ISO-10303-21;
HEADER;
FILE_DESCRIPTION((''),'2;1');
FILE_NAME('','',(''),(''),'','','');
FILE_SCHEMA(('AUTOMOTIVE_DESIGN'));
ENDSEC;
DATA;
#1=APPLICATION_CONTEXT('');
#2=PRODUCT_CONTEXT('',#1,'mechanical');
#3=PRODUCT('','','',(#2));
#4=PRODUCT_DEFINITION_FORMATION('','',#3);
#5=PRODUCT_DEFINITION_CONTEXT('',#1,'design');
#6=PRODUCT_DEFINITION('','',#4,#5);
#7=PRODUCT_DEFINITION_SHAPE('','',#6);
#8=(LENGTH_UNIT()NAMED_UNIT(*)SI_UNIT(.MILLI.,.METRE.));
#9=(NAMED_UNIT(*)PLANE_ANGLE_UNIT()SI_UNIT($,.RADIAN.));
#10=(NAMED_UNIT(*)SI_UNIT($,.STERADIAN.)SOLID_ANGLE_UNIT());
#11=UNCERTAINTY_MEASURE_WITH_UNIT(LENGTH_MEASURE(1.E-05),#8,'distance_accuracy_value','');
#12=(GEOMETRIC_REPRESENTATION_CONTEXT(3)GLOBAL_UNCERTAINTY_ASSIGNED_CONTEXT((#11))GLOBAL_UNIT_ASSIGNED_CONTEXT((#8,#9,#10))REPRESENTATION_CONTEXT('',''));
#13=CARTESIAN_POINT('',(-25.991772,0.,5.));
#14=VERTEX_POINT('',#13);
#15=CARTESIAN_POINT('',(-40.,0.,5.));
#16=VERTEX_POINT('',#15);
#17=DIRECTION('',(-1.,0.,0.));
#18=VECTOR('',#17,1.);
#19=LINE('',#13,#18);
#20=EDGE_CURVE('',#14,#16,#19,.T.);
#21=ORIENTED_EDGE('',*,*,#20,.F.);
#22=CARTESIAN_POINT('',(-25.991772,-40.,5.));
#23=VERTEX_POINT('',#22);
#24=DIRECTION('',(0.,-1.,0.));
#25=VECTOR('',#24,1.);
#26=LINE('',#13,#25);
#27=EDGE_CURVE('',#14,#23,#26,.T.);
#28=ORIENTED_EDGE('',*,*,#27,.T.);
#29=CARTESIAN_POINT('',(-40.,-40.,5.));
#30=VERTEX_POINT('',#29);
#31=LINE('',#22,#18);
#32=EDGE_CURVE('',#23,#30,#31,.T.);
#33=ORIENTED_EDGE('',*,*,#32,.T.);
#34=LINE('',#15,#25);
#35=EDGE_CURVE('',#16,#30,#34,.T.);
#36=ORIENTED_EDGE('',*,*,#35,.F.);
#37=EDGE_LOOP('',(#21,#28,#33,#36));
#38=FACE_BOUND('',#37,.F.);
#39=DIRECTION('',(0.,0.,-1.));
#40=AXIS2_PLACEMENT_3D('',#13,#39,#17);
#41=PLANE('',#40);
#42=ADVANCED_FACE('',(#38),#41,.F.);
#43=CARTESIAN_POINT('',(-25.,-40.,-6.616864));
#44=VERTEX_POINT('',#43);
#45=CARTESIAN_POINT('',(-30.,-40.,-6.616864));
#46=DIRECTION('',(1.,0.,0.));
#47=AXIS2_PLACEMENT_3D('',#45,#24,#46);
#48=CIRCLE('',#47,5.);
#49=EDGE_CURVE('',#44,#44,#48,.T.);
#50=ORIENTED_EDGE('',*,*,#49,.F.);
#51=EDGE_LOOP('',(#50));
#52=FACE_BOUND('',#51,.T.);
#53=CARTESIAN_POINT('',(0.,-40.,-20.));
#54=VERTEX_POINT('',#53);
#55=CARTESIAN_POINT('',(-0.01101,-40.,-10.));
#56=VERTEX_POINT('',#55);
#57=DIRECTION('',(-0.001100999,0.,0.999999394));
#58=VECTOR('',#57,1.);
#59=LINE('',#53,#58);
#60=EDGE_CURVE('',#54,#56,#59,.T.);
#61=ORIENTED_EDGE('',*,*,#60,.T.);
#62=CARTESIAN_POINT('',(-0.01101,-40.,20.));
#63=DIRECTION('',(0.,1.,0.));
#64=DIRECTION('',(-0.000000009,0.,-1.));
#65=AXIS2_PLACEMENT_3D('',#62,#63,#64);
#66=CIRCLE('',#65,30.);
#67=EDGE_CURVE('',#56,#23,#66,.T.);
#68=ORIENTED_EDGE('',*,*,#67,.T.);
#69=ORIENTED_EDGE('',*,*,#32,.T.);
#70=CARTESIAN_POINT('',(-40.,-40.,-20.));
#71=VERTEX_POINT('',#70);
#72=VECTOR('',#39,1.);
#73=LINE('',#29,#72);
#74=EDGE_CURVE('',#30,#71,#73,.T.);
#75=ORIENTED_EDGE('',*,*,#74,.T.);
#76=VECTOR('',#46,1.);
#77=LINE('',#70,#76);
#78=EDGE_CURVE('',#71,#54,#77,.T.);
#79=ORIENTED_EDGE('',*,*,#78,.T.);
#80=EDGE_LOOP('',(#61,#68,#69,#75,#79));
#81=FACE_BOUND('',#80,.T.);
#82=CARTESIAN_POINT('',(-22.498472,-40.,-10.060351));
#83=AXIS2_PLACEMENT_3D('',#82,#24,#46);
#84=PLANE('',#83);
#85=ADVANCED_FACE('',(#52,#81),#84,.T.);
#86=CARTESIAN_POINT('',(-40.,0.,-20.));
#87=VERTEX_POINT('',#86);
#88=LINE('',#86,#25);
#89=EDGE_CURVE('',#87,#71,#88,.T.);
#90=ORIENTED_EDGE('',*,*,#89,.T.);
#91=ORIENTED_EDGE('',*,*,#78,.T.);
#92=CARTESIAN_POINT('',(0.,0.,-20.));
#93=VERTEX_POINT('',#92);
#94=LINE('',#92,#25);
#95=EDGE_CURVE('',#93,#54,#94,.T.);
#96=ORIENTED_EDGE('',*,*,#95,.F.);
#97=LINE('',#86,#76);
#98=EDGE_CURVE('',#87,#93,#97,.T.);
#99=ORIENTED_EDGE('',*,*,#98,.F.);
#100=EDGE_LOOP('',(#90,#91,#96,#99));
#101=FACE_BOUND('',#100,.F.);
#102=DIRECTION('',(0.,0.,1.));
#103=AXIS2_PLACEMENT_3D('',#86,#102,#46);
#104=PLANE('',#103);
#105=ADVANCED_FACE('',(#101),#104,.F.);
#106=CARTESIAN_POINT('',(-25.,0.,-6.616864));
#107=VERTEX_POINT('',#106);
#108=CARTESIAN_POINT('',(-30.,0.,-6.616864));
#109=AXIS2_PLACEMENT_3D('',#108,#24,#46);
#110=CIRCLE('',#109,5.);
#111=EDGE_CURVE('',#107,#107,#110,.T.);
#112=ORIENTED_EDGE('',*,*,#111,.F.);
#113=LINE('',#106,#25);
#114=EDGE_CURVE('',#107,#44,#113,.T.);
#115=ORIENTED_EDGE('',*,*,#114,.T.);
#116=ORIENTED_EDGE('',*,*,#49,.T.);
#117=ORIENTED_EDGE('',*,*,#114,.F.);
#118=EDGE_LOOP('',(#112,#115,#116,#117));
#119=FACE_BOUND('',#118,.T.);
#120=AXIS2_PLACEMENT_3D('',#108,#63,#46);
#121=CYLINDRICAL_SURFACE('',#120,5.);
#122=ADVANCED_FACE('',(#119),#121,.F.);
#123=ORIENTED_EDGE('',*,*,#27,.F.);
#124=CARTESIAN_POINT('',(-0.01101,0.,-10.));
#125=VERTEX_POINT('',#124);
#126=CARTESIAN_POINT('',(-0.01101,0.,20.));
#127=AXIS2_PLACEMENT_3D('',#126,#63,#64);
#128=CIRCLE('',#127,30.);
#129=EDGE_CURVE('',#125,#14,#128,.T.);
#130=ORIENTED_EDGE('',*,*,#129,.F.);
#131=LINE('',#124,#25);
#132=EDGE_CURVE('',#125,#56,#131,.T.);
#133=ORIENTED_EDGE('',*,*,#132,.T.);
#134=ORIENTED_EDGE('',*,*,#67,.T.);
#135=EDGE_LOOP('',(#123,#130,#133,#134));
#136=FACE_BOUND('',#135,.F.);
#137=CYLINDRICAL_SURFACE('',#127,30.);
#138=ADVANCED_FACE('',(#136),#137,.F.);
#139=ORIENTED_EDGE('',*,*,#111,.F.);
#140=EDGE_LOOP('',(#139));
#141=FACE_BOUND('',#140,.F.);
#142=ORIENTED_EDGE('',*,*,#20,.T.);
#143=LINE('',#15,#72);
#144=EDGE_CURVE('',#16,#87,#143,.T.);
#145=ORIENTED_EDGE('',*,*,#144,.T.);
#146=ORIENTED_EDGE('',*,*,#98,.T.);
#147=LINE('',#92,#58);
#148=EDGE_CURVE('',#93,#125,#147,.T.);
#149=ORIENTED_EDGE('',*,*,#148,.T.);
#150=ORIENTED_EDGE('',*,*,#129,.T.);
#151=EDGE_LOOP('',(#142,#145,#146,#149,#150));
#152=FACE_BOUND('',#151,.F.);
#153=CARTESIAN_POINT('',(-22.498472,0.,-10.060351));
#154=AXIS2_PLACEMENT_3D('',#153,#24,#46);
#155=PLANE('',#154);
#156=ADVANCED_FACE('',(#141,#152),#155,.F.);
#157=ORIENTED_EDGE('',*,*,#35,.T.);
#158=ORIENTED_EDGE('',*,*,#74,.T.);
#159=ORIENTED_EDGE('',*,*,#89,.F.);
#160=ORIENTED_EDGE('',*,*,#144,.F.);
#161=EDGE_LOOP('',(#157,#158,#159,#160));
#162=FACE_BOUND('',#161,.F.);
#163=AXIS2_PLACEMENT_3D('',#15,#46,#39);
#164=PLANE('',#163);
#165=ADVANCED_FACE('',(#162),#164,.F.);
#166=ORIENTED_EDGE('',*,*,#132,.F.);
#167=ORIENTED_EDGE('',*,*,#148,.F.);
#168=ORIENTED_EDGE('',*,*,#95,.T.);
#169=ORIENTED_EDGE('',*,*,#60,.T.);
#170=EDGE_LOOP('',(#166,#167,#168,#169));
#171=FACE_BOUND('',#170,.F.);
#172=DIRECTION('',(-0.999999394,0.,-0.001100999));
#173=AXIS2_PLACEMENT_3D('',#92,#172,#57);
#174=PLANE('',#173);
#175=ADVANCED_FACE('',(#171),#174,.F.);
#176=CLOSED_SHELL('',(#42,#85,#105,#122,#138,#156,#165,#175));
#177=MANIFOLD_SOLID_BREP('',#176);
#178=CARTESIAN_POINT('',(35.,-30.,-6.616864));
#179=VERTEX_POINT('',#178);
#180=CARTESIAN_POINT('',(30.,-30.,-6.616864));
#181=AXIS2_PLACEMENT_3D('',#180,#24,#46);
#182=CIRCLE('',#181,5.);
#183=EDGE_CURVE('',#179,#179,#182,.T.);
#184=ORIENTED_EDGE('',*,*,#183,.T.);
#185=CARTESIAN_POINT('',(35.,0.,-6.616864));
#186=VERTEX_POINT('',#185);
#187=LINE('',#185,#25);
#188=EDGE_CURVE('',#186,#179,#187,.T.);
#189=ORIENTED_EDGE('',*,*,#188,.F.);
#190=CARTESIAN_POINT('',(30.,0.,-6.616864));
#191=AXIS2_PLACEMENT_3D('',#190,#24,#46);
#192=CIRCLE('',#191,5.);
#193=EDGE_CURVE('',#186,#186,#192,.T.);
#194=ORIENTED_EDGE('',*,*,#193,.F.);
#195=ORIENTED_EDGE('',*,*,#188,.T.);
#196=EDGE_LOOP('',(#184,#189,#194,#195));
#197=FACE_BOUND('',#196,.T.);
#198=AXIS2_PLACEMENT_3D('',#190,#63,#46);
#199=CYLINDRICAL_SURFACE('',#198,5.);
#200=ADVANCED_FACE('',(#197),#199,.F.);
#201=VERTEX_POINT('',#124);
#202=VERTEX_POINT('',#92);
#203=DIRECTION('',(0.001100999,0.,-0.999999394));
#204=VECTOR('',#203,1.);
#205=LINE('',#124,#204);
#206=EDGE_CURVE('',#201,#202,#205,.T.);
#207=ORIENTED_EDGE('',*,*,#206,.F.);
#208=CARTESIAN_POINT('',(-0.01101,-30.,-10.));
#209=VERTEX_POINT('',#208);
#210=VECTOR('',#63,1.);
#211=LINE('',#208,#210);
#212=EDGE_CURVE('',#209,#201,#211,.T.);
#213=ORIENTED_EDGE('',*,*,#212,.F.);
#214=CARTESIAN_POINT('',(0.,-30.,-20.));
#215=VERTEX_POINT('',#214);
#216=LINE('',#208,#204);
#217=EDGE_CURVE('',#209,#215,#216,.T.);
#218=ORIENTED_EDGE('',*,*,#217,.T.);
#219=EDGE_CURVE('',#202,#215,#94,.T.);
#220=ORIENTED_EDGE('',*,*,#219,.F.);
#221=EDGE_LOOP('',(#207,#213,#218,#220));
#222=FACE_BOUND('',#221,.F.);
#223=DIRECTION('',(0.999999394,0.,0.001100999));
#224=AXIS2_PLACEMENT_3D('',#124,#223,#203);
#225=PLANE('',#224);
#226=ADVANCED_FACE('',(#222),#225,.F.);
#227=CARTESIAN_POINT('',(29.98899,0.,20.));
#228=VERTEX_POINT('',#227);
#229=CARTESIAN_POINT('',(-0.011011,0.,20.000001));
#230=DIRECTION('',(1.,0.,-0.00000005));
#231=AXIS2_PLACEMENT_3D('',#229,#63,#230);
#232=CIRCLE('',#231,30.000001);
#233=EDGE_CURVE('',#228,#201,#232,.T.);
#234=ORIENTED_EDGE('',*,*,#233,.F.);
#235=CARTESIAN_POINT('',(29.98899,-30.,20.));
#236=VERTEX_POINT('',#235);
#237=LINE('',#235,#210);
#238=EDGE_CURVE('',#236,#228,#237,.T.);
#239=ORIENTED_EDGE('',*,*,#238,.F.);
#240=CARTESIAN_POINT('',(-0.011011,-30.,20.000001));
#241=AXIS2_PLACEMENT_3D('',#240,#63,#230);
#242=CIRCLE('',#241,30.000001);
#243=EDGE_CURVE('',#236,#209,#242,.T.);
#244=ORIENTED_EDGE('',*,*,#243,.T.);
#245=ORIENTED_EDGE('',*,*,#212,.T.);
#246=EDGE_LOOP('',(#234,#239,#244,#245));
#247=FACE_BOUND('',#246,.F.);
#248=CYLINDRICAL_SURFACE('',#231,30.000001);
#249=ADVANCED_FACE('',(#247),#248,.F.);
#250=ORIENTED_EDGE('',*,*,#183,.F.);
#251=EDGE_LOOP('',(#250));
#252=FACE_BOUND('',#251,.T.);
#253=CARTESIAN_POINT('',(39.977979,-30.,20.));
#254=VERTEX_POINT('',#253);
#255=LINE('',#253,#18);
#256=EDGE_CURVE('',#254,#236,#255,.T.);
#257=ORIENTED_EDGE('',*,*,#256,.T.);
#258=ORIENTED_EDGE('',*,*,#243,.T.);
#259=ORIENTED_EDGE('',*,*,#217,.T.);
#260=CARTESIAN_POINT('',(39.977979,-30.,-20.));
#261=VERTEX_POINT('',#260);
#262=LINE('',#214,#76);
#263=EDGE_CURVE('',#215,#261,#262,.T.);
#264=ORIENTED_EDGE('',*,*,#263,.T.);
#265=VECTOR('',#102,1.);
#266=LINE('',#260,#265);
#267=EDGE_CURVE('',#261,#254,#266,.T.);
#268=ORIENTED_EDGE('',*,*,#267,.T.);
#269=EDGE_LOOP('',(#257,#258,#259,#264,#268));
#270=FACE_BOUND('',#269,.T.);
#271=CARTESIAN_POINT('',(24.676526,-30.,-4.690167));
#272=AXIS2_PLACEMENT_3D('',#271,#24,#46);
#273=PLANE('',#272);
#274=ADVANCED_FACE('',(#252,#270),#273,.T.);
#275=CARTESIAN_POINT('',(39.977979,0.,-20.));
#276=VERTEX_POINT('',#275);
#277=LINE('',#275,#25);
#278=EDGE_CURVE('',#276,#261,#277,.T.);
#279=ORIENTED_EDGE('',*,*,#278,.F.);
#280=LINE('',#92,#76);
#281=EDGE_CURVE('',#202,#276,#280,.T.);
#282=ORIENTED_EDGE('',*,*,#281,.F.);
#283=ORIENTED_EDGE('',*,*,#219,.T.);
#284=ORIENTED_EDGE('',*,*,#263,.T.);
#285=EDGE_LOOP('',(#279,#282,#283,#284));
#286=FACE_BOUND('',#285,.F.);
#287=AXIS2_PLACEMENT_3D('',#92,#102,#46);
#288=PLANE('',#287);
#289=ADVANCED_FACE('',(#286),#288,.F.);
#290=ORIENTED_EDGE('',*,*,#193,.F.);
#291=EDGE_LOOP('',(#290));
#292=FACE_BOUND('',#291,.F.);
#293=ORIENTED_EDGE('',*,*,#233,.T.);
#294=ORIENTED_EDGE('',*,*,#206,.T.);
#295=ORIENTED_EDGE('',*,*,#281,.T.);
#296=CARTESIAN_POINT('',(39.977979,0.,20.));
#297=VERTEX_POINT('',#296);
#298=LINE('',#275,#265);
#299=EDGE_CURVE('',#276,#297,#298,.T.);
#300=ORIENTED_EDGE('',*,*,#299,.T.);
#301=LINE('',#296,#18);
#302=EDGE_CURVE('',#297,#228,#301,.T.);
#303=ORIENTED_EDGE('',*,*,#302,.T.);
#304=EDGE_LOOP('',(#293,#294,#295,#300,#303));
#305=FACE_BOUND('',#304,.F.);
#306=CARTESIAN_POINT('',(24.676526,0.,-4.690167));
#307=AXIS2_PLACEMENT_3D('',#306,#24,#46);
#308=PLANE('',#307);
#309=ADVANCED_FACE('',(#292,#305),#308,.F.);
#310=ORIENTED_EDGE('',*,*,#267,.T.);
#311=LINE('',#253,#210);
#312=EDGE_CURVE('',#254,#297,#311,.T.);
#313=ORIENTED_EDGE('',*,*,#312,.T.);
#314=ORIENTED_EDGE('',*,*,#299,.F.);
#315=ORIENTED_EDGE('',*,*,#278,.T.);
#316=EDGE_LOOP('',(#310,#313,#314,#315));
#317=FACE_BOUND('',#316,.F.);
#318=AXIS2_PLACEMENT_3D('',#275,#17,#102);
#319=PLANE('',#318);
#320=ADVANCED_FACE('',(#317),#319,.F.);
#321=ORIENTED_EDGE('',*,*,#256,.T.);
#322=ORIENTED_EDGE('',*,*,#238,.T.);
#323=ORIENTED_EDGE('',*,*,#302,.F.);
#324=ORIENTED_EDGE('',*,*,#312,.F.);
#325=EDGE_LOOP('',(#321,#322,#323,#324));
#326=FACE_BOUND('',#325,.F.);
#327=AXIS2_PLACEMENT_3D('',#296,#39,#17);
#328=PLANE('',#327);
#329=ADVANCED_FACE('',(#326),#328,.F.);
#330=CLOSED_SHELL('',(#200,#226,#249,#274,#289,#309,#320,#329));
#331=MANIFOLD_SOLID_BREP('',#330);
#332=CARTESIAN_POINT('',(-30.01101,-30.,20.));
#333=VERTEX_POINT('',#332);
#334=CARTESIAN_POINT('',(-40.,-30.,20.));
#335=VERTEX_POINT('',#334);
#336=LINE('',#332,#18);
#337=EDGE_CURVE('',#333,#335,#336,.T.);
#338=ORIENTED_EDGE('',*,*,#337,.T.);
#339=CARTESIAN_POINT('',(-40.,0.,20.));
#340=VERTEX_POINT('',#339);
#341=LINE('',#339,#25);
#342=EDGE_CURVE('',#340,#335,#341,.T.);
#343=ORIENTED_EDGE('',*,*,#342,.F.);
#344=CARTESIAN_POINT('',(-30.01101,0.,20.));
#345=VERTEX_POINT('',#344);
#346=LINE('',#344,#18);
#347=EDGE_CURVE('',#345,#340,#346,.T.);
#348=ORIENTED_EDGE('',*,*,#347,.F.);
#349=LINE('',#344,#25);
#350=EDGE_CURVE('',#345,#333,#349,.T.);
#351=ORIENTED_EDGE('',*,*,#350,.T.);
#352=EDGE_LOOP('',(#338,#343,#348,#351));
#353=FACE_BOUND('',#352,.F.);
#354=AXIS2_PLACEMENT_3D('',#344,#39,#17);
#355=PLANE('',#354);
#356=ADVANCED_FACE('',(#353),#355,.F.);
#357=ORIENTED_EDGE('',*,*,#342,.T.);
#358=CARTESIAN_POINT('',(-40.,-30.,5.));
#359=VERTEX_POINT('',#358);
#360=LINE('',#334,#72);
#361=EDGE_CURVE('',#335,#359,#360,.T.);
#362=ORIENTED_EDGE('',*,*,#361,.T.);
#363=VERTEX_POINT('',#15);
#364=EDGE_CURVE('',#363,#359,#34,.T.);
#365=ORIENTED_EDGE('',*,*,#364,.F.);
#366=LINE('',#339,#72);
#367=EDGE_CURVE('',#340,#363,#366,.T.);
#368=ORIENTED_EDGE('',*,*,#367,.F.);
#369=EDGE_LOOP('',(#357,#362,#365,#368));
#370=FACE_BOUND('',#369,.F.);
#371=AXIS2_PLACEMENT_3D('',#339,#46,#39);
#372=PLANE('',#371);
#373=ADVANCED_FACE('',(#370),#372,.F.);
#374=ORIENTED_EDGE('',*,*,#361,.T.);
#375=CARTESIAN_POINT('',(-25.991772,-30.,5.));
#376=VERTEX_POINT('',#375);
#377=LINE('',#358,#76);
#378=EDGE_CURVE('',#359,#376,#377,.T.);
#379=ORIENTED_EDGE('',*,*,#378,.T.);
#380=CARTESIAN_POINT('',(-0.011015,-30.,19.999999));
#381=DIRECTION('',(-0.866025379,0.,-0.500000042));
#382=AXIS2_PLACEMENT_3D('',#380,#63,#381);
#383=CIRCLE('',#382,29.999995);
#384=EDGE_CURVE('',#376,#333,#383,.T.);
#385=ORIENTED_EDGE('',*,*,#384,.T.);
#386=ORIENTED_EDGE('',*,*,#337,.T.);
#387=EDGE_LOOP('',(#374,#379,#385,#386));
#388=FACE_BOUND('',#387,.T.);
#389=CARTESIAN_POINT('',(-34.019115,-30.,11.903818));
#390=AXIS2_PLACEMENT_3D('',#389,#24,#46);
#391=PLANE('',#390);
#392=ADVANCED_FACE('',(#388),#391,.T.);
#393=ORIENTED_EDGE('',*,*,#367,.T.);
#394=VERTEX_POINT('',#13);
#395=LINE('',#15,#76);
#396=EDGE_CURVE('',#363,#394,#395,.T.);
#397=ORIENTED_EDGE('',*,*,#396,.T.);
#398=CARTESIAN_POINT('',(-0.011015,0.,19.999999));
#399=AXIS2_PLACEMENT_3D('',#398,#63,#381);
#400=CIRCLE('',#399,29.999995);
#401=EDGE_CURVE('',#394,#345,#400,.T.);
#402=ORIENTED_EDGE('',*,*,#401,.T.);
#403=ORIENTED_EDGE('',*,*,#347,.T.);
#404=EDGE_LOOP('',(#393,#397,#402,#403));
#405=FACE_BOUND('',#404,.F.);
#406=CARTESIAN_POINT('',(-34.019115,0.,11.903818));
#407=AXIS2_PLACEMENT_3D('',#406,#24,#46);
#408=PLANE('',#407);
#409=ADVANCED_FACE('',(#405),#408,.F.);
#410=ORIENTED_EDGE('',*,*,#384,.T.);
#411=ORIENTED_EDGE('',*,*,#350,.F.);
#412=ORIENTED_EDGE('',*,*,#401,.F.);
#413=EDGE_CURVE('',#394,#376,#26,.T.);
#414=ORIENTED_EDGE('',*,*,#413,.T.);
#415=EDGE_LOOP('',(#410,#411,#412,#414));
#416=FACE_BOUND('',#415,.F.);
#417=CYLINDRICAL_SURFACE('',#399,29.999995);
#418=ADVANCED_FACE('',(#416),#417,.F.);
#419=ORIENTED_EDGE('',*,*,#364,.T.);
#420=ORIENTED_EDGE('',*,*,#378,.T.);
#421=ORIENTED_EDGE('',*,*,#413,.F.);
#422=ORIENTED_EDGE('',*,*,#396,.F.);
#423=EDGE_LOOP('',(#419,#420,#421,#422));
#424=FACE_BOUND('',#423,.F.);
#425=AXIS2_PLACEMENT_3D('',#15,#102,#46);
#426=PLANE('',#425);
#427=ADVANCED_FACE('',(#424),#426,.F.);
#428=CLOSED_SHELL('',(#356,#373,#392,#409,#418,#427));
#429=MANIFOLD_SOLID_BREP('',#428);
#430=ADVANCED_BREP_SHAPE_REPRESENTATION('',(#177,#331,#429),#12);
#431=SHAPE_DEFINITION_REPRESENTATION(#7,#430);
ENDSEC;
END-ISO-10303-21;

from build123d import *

# Parameters (mm, degrees)
F0_R     = 5
F1_DEPTH = 25
F2_DEPTH = 30
F3_DEPTH = 40


with BuildPart() as f1:
    # F0 (on Front) → F1 (new body)
    with BuildSketch(Plane.XZ):
        with BuildLine():
            Line((-0.01101, -10), (0, -20))
            Line((0, -20), (39.977979, -20))
            Line((39.977979, -20), (39.977979, 20))
            Line((39.977979, 20), (29.98899, 20))
            ThreePointArc((29.98899, 20), (21.202193, -1.213203), (-0.01101, -10))
        make_face()
        with Locations((30, -6.616864)):
            Circle(F0_R, mode=Mode.SUBTRACT)
    extrude(amount=F1_DEPTH)

    # F0 (on Front) → F2 (join)
    with BuildSketch(Plane.XZ):
        with BuildLine():
            Line((-0.01101, -10), (0, -20))
            Line((0, -20), (39.977979, -20))
            Line((39.977979, -20), (39.977979, 20))
            Line((39.977979, 20), (29.98899, 20))
            ThreePointArc((29.98899, 20), (21.202193, -1.213203), (-0.01101, -10))
        make_face()
        with Locations((30, -6.616864)):
            Circle(F0_R, mode=Mode.SUBTRACT)
        with BuildLine():
            Line((-30.01101, 20), (-40, 20))
            Line((-40, 20), (-40, 5))
            Line((-40, 5), (-25.991772, 5))
            ThreePointArc((-25.991772, 5), (-28.988785, 12.235429), (-30.01101, 20))
        make_face()
    extrude(amount=F2_DEPTH)


with BuildPart() as f3:
    # F0 (on Front) → F3 (new body)
    with BuildSketch(Plane.XZ):
        with BuildLine():
            Line((-25.991772, 5), (-40, 5))
            Line((-40, 5), (-40, -20))
            Line((-40, -20), (0, -20))
            Line((0, -20), (-0.01101, -10))
            ThreePointArc((-0.01101, -10), (-15.01101, -5.980762), (-25.991772, 5))
        make_face()
        with Locations((-30, -6.616864)):
            Circle(F0_R, mode=Mode.SUBTRACT)
    extrude(amount=F3_DEPTH)


solid = Compound([f1.part, f3.part])
